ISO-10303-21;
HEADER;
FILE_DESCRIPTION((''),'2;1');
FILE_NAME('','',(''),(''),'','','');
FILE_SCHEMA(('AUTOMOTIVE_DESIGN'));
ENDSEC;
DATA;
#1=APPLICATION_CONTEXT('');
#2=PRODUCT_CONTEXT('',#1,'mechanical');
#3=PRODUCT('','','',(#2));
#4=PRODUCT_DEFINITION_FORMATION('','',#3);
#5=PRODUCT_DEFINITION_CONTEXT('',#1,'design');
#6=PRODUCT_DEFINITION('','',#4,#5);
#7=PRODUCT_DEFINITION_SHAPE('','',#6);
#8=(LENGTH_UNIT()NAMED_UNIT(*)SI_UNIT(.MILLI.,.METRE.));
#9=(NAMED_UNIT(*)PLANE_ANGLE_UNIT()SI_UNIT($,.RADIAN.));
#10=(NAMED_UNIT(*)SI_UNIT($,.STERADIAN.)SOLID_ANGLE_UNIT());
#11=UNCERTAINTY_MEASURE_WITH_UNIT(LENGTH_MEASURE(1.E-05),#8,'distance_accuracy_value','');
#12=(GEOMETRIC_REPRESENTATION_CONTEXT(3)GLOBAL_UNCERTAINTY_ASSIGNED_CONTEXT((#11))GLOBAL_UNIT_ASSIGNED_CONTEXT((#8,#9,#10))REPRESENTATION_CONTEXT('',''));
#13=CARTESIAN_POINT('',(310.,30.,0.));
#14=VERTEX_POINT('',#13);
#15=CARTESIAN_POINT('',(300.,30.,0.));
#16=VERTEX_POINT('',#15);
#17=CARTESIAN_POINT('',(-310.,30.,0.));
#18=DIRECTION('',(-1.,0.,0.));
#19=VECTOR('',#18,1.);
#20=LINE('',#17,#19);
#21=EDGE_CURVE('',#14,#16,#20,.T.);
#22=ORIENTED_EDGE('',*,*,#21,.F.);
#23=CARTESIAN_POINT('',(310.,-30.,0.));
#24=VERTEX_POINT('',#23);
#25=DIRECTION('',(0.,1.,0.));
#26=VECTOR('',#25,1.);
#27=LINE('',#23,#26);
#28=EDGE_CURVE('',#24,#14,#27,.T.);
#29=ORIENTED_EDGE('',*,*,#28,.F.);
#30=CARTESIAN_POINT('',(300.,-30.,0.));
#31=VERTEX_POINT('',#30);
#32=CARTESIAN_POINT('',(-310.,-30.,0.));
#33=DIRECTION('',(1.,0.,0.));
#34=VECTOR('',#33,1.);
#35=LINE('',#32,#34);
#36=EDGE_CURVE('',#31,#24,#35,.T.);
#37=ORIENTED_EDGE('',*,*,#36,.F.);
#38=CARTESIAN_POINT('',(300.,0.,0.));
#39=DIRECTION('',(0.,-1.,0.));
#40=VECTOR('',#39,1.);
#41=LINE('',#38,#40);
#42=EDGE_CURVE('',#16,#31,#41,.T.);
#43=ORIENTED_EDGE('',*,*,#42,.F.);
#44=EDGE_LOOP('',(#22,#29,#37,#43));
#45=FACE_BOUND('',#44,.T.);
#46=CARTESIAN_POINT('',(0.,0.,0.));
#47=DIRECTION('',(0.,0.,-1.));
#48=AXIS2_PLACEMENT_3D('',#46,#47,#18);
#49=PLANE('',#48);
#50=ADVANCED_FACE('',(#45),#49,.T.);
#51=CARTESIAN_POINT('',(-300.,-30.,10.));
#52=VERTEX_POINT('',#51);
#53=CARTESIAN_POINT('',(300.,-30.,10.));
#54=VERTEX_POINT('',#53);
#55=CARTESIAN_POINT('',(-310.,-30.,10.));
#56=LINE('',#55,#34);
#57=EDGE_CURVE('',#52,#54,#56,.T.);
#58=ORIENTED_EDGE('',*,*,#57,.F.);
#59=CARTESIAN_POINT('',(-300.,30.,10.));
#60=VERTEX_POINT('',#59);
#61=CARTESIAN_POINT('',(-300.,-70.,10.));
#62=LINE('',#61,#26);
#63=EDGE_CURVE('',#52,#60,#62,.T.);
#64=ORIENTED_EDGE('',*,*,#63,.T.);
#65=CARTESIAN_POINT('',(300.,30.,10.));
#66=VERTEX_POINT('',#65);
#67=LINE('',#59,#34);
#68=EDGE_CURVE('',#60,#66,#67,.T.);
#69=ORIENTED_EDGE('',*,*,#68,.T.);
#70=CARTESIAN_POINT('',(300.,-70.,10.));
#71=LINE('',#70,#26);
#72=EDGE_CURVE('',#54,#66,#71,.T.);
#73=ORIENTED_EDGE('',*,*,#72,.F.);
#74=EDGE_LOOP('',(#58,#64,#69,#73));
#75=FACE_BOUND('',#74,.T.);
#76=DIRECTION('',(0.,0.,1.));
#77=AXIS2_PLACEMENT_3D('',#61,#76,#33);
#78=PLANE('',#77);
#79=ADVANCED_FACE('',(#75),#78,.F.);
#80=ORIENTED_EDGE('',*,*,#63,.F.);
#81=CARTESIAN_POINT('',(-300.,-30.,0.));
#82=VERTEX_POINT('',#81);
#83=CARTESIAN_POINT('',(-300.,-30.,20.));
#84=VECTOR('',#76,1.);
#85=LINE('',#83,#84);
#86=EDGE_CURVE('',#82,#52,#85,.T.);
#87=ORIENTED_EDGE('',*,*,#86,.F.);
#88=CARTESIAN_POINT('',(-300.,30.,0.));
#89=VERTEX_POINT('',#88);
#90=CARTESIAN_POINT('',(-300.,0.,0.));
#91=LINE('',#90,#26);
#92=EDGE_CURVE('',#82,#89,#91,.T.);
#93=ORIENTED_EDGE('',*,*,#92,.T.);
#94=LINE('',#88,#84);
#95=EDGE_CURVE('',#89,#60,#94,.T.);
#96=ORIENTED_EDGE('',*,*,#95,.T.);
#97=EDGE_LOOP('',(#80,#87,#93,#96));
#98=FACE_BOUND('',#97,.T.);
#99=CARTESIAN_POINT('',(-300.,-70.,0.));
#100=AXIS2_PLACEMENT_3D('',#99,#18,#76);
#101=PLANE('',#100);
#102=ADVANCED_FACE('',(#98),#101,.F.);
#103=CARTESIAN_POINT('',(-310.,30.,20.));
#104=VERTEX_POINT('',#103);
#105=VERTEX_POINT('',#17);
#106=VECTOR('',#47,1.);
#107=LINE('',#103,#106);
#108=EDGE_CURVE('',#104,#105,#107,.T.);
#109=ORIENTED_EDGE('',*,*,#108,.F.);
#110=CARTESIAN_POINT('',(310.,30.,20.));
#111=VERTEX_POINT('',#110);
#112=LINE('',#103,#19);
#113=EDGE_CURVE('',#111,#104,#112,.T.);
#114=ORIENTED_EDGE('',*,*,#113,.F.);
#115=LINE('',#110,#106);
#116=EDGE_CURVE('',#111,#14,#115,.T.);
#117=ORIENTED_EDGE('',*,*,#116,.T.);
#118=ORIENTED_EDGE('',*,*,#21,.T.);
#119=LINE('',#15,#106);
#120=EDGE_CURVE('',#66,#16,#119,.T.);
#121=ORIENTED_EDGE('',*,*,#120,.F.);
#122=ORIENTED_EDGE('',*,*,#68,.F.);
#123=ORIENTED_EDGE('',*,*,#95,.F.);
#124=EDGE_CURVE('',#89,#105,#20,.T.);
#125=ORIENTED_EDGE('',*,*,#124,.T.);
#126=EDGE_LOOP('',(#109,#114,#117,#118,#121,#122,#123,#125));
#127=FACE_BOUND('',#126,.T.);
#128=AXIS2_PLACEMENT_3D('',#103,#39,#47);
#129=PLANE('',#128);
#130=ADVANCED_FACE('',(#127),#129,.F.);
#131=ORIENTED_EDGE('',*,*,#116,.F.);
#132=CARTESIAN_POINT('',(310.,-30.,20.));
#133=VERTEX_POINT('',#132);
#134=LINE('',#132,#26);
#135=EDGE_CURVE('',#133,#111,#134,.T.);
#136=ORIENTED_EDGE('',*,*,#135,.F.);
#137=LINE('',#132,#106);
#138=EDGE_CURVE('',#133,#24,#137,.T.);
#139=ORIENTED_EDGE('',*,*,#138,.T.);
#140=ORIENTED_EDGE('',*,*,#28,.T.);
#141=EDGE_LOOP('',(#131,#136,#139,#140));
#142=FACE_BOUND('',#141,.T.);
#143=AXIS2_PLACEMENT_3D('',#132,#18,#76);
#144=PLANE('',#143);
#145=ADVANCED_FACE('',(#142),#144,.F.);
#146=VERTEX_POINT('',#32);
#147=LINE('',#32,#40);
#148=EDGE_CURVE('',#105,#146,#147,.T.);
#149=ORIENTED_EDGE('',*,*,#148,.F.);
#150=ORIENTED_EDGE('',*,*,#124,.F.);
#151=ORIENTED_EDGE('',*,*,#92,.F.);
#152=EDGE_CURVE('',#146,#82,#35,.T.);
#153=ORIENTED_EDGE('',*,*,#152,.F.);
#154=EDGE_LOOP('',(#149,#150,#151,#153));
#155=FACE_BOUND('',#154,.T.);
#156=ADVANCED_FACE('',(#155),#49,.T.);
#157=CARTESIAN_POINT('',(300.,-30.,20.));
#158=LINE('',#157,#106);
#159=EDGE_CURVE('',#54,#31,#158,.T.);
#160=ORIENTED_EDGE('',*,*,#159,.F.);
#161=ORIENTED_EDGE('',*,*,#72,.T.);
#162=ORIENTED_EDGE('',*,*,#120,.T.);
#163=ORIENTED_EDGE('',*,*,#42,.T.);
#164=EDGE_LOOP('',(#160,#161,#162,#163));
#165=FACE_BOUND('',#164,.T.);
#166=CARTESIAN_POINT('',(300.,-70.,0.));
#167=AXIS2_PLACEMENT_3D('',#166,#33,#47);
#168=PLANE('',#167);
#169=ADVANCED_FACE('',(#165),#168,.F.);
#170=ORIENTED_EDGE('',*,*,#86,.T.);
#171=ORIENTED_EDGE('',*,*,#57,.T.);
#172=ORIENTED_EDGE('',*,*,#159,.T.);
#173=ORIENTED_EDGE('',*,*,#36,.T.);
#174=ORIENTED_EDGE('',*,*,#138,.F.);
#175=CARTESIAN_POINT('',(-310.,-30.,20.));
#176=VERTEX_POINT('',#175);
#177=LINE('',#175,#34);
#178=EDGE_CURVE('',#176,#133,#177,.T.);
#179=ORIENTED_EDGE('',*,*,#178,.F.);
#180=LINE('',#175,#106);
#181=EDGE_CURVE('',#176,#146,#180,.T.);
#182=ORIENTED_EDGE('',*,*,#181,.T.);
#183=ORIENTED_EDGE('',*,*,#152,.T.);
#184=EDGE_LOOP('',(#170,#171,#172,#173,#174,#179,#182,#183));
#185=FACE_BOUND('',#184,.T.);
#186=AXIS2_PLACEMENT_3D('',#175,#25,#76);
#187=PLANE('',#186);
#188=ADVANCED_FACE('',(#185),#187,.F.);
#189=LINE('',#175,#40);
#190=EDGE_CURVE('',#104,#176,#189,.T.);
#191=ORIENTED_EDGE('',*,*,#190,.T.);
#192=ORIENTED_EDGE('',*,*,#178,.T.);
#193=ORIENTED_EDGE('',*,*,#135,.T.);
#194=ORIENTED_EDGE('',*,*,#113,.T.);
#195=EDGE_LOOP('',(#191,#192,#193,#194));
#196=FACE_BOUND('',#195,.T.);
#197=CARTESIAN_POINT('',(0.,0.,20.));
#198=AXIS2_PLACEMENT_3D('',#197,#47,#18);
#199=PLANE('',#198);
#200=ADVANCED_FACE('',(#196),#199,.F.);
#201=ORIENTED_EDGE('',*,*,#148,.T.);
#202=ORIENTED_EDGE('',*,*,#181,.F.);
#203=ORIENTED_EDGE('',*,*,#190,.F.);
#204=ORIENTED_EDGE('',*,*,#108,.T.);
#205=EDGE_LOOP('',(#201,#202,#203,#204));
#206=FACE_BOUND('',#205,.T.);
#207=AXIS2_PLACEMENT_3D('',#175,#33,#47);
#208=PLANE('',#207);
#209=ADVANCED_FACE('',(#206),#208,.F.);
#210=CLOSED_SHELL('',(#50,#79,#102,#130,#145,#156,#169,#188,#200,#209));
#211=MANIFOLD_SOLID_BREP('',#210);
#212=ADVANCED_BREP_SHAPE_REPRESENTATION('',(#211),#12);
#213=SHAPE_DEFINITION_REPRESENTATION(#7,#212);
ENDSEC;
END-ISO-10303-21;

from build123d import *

# Parameters (mm, degrees)
SKETCH2_W           = 620
SKETCH2_H           = 60
BOSS_EXTRUDE1_DEPTH = 20
SKETCH4_W           = 600
SKETCH4_H           = 10
CUT_EXTRUDE1_DEPTH  = 100


with BuildPart() as part:
    # Sketch2 → Boss-Extrude1 (new body)
    with BuildSketch(Plane.XY):
        Rectangle(SKETCH2_W, SKETCH2_H)
    extrude(amount=BOSS_EXTRUDE1_DEPTH)

    # Sketch4 → Cut-Extrude1 (cut)
    with BuildSketch(Plane(origin=(0, 30, 0), x_dir=(1, 0, 0), z_dir=(0, 1, 0))):
        with Locations((0, -5)):
            Rectangle(SKETCH4_W, SKETCH4_H)
    extrude(amount=-CUT_EXTRUDE1_DEPTH, mode=Mode.SUBTRACT)


solid = part.part
